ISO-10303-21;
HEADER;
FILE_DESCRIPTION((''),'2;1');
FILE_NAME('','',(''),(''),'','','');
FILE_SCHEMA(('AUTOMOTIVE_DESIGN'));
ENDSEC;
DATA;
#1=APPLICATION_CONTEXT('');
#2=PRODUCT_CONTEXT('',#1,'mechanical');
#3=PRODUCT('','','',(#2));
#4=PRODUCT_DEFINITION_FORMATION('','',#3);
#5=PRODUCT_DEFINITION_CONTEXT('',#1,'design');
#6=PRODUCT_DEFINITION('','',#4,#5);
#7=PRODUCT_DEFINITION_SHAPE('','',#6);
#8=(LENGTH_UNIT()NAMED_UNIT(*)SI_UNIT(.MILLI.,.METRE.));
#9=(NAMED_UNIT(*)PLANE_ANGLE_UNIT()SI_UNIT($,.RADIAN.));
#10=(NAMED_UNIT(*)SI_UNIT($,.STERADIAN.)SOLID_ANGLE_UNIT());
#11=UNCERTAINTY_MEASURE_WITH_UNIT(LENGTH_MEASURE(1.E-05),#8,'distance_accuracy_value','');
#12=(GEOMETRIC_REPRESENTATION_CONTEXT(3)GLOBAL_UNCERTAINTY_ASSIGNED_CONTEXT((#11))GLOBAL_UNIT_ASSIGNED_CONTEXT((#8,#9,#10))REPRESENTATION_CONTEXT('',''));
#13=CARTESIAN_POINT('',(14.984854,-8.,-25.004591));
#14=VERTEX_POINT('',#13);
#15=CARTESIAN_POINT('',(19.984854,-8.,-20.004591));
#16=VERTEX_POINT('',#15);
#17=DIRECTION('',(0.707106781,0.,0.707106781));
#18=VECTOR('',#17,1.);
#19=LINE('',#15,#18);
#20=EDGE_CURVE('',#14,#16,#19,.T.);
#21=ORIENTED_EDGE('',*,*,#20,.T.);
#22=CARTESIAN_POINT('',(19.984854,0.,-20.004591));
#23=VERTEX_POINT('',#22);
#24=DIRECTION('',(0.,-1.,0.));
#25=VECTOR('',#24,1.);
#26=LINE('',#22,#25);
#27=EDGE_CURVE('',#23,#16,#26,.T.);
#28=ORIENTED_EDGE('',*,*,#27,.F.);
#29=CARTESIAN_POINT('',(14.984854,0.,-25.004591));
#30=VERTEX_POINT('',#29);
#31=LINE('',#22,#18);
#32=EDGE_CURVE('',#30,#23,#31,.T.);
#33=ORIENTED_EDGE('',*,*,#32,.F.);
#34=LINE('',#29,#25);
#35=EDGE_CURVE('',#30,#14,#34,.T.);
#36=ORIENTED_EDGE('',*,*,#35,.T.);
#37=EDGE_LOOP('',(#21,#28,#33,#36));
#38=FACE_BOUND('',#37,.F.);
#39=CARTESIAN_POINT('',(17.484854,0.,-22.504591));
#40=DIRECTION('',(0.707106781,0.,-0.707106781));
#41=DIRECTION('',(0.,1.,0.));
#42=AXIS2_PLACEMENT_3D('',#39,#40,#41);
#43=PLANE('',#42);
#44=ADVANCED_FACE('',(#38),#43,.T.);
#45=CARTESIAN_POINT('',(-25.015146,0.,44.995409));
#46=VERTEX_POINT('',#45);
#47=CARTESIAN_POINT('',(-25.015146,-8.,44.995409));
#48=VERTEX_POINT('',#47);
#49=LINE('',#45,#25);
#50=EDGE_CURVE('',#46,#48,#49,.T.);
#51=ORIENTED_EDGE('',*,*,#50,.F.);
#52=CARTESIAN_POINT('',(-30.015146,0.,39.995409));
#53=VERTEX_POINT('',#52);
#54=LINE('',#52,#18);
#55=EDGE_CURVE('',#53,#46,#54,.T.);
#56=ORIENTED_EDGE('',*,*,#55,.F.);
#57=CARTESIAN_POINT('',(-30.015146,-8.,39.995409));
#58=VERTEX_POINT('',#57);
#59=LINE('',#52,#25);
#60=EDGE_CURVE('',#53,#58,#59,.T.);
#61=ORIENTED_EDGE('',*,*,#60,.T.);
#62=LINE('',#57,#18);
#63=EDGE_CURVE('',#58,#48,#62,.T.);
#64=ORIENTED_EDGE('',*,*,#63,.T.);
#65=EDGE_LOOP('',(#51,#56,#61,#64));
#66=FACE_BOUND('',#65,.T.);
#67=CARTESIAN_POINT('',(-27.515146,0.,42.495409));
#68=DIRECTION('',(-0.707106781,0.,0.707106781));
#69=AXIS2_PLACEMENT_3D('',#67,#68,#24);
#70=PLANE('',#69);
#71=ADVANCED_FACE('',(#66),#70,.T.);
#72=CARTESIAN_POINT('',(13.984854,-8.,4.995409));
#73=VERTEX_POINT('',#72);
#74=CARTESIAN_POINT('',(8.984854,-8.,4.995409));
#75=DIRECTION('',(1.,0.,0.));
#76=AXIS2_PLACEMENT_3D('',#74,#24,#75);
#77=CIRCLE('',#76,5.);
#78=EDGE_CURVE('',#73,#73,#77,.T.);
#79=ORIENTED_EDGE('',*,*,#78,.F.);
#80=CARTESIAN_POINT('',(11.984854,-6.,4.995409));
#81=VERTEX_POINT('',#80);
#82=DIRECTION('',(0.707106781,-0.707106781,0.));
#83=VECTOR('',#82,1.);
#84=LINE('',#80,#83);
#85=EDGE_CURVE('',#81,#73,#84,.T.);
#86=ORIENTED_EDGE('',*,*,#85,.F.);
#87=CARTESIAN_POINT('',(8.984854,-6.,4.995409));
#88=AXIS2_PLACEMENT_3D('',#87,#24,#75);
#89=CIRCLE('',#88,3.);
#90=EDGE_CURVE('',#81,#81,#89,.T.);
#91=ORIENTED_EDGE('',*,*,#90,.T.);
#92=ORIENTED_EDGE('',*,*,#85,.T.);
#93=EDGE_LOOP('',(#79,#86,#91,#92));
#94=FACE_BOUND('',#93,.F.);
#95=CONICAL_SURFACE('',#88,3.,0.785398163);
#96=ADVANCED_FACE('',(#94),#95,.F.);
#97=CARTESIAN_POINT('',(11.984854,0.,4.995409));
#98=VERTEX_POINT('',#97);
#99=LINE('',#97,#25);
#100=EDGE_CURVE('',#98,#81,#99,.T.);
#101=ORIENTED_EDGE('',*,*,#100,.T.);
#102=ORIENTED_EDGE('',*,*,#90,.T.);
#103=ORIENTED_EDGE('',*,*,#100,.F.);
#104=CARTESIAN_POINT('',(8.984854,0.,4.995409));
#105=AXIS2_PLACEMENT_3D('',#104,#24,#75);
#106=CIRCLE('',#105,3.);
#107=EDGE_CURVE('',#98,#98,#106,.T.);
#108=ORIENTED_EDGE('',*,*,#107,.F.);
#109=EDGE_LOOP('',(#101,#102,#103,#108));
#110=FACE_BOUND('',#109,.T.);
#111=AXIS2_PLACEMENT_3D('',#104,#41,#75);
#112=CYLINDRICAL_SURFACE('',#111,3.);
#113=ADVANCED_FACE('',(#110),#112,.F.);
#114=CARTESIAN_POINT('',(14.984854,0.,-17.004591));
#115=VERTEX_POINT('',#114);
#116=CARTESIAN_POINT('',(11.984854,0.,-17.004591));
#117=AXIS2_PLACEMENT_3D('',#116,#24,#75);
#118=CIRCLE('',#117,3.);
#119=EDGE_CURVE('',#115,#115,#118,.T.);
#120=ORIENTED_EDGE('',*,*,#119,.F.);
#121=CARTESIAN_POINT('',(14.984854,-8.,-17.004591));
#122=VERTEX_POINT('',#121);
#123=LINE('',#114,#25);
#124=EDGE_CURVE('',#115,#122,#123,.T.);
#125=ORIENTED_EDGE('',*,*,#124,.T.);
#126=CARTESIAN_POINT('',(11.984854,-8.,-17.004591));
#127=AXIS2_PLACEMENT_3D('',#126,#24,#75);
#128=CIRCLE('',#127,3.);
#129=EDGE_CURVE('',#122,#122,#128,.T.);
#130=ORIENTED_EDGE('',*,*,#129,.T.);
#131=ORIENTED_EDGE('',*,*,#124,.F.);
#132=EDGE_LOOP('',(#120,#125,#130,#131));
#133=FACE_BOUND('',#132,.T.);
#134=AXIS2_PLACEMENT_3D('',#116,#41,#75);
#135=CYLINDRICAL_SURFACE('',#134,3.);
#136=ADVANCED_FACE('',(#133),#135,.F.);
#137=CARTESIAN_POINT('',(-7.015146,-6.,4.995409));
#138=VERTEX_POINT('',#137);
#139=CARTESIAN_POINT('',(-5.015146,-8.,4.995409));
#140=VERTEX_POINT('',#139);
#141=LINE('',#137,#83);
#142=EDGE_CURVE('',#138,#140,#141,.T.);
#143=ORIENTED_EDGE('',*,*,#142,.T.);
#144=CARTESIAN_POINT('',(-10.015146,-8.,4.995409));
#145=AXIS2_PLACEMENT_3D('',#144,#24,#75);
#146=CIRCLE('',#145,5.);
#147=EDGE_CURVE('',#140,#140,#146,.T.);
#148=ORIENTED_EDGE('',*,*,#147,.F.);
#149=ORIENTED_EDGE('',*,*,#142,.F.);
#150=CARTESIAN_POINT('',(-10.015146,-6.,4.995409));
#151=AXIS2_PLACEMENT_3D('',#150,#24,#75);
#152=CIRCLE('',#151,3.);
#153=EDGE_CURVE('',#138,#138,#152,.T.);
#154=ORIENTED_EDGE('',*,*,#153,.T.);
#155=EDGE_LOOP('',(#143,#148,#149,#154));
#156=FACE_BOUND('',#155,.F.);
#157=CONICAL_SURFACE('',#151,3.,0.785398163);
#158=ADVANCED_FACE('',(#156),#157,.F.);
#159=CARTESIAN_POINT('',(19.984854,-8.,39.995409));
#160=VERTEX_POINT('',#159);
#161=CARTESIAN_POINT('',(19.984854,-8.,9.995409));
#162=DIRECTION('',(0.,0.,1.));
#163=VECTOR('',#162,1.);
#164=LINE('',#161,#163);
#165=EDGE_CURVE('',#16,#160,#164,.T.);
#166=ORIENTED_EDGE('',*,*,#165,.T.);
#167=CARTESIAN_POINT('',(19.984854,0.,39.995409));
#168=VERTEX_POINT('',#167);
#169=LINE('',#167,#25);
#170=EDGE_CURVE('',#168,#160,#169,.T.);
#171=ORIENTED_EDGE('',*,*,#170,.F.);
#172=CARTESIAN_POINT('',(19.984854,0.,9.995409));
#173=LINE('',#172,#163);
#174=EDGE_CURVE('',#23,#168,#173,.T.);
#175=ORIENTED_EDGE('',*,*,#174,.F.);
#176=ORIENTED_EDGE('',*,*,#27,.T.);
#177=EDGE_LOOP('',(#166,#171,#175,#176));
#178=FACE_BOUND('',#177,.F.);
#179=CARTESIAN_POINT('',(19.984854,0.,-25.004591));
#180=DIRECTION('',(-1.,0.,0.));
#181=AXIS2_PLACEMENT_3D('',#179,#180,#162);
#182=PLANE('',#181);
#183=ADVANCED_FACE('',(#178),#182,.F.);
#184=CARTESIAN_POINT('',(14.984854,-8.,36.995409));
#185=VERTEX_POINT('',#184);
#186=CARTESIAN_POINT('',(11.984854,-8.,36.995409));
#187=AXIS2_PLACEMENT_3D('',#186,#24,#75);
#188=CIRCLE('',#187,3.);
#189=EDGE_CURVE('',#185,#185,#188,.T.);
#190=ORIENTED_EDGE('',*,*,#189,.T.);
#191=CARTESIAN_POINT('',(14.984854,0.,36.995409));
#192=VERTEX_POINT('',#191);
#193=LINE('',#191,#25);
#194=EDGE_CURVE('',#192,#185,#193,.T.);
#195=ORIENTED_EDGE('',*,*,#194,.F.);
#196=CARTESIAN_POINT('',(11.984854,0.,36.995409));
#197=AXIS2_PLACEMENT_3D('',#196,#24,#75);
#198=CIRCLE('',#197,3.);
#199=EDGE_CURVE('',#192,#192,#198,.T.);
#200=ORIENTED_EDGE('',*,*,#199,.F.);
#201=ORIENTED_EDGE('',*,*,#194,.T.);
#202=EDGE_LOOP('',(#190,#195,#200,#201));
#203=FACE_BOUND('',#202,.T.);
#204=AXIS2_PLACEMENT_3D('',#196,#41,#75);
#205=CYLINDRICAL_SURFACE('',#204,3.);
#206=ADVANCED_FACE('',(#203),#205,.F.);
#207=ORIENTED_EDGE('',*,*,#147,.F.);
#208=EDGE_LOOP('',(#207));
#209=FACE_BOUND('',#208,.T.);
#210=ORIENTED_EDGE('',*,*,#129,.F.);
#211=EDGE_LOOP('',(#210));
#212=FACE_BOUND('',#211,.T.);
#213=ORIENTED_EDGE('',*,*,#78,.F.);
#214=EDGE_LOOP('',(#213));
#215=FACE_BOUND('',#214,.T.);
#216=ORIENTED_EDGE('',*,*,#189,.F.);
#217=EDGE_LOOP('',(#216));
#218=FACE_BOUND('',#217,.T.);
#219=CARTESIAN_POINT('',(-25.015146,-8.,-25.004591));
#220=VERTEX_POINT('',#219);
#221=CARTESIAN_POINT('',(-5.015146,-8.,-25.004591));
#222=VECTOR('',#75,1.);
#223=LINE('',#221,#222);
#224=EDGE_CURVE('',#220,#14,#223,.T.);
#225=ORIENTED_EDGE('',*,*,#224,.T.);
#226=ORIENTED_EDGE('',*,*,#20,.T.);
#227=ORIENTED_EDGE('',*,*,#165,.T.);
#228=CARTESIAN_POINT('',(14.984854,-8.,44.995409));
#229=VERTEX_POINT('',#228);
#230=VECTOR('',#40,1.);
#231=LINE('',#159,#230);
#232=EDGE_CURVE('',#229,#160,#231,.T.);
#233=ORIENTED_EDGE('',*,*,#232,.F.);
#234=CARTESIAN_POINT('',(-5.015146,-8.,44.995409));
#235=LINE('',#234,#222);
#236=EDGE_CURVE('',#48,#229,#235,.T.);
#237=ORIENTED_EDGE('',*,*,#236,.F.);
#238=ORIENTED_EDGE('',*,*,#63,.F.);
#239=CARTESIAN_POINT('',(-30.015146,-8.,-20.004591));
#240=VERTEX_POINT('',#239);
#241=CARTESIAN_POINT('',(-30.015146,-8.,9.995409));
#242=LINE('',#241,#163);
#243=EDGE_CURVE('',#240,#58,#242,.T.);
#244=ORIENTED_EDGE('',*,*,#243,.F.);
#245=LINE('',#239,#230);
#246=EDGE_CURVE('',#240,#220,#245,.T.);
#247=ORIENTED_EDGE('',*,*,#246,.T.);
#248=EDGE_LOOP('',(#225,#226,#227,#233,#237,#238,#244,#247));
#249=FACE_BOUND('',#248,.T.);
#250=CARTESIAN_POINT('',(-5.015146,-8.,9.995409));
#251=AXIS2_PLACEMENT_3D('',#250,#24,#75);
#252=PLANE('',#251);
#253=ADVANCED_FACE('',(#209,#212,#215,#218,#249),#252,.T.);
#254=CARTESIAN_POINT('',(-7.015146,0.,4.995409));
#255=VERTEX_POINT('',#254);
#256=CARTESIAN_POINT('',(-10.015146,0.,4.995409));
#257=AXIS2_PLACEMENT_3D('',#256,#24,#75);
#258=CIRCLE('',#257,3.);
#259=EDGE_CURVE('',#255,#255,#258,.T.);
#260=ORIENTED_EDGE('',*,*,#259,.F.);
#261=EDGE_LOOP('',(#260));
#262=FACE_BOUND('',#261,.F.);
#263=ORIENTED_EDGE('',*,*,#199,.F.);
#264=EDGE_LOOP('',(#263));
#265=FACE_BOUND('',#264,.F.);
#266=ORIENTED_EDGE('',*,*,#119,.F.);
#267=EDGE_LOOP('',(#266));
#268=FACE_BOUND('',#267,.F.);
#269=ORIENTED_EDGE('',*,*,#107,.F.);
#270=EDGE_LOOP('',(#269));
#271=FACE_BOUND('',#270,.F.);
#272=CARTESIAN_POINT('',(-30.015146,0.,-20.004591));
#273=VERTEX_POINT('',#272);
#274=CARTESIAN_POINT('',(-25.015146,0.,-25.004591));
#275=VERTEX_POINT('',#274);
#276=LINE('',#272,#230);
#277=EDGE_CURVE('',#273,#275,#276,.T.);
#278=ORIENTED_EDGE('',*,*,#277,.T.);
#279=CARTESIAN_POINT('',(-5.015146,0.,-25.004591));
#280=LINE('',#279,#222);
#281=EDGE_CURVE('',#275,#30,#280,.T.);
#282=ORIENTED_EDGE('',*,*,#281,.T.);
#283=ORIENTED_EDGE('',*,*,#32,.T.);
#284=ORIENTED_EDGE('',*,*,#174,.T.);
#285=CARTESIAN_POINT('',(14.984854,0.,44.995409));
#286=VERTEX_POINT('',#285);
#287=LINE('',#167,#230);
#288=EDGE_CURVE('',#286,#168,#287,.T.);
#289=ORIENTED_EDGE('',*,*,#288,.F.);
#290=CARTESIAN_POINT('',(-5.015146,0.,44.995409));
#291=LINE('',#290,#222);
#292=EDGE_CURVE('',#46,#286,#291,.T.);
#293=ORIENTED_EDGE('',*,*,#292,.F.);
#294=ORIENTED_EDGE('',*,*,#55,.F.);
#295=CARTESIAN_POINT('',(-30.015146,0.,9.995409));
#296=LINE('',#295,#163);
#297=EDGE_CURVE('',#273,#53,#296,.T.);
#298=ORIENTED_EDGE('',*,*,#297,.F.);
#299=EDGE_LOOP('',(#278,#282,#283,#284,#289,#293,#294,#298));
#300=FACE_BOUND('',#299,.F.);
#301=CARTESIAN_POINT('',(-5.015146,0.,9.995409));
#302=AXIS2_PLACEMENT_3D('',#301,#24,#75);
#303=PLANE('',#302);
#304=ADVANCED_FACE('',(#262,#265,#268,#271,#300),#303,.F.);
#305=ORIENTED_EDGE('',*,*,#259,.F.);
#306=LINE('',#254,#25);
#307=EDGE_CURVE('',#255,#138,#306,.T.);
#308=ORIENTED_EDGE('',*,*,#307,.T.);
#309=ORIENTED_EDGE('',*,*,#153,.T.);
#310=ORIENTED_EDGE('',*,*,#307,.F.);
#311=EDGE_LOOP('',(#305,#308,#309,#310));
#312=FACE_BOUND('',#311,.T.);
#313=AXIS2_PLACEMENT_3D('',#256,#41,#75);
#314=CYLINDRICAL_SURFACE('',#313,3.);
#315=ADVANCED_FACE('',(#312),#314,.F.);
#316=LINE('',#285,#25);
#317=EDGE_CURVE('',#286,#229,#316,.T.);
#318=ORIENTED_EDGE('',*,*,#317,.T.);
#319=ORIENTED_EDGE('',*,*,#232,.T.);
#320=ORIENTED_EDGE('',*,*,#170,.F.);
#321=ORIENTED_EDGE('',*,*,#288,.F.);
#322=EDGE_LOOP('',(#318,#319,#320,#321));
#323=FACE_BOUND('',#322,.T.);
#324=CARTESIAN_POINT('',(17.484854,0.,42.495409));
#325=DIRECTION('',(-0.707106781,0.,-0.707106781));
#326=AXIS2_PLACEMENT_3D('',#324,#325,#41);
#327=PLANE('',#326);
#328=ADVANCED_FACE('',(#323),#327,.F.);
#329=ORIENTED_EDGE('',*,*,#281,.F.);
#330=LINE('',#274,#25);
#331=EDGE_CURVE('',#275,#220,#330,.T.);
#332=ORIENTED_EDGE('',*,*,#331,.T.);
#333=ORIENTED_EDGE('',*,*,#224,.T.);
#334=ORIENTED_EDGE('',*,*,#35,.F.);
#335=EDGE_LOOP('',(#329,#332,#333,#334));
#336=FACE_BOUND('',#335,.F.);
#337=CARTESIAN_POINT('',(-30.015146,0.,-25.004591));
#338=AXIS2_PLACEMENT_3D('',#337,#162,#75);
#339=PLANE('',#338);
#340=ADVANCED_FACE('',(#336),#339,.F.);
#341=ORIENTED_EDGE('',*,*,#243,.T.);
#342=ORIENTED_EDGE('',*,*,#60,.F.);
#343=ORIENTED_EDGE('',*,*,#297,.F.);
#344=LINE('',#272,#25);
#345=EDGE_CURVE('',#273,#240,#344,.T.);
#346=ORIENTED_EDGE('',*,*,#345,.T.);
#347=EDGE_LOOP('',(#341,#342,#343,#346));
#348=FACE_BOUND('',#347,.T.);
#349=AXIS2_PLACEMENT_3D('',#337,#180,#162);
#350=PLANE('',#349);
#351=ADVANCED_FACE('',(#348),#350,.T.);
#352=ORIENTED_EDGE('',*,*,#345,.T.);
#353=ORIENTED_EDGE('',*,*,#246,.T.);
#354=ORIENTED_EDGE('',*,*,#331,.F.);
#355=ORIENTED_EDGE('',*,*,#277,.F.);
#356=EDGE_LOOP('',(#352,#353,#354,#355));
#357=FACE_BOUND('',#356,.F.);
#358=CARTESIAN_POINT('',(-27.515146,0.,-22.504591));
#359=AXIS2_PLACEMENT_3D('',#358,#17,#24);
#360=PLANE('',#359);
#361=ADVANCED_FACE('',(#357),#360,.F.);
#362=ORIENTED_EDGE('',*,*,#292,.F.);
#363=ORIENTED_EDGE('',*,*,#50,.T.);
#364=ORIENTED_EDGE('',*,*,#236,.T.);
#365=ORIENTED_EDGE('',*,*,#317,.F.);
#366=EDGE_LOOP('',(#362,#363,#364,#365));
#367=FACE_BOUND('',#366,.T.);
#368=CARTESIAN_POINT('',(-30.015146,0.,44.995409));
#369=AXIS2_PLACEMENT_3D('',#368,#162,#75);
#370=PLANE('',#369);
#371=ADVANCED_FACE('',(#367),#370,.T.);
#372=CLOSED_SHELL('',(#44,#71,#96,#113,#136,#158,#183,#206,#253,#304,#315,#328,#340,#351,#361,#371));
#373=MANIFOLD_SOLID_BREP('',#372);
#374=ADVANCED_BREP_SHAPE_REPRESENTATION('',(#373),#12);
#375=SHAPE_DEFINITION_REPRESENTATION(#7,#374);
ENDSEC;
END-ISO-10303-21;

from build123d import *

# Parameters (mm, degrees)
F0_W     = 50
F0_H     = 70
F0_R     = 3
F1_DEPTH = 8
F2_SIZE  = 2
F3_SIZE  = 5


with BuildPart() as f1:
    # F0 (on Front) → F1 (new body)
    with BuildSketch(Plane.XZ):
        with Locations((-5.015146, 9.995409)):
            Rectangle(F0_W, F0_H)
        with Locations((-10.015146, 4.995409)):
            Circle(F0_R, mode=Mode.SUBTRACT)
        with Locations((11.984854, -17.004591)):
            Circle(F0_R, mode=Mode.SUBTRACT)
        with Locations((8.984854, 4.995409)):
            Circle(F0_R, mode=Mode.SUBTRACT)
        with Locations((11.984854, 36.995409)):
            Circle(F0_R, mode=Mode.SUBTRACT)
    extrude(amount=F1_DEPTH)

    # F2
    f2_edges = [f1.edges().sort_by_distance(p)[0] for p in [
        (-13.015146, -8, 4.995409),
        (5.984854, -8, 4.995409),
    ]]
    chamfer(f2_edges, length=F2_SIZE)

    # F3
    f3_edges = [f1.edges().sort_by_distance(p)[0] for p in [
        (19.984854, -4, 44.995409),
        (19.984854, -4, -25.004591),
        (-30.015146, -4, 44.995409),
        (-30.015146, -4, -25.004591),
    ]]
    chamfer(f3_edges, length=F3_SIZE)


solid = f1.part
